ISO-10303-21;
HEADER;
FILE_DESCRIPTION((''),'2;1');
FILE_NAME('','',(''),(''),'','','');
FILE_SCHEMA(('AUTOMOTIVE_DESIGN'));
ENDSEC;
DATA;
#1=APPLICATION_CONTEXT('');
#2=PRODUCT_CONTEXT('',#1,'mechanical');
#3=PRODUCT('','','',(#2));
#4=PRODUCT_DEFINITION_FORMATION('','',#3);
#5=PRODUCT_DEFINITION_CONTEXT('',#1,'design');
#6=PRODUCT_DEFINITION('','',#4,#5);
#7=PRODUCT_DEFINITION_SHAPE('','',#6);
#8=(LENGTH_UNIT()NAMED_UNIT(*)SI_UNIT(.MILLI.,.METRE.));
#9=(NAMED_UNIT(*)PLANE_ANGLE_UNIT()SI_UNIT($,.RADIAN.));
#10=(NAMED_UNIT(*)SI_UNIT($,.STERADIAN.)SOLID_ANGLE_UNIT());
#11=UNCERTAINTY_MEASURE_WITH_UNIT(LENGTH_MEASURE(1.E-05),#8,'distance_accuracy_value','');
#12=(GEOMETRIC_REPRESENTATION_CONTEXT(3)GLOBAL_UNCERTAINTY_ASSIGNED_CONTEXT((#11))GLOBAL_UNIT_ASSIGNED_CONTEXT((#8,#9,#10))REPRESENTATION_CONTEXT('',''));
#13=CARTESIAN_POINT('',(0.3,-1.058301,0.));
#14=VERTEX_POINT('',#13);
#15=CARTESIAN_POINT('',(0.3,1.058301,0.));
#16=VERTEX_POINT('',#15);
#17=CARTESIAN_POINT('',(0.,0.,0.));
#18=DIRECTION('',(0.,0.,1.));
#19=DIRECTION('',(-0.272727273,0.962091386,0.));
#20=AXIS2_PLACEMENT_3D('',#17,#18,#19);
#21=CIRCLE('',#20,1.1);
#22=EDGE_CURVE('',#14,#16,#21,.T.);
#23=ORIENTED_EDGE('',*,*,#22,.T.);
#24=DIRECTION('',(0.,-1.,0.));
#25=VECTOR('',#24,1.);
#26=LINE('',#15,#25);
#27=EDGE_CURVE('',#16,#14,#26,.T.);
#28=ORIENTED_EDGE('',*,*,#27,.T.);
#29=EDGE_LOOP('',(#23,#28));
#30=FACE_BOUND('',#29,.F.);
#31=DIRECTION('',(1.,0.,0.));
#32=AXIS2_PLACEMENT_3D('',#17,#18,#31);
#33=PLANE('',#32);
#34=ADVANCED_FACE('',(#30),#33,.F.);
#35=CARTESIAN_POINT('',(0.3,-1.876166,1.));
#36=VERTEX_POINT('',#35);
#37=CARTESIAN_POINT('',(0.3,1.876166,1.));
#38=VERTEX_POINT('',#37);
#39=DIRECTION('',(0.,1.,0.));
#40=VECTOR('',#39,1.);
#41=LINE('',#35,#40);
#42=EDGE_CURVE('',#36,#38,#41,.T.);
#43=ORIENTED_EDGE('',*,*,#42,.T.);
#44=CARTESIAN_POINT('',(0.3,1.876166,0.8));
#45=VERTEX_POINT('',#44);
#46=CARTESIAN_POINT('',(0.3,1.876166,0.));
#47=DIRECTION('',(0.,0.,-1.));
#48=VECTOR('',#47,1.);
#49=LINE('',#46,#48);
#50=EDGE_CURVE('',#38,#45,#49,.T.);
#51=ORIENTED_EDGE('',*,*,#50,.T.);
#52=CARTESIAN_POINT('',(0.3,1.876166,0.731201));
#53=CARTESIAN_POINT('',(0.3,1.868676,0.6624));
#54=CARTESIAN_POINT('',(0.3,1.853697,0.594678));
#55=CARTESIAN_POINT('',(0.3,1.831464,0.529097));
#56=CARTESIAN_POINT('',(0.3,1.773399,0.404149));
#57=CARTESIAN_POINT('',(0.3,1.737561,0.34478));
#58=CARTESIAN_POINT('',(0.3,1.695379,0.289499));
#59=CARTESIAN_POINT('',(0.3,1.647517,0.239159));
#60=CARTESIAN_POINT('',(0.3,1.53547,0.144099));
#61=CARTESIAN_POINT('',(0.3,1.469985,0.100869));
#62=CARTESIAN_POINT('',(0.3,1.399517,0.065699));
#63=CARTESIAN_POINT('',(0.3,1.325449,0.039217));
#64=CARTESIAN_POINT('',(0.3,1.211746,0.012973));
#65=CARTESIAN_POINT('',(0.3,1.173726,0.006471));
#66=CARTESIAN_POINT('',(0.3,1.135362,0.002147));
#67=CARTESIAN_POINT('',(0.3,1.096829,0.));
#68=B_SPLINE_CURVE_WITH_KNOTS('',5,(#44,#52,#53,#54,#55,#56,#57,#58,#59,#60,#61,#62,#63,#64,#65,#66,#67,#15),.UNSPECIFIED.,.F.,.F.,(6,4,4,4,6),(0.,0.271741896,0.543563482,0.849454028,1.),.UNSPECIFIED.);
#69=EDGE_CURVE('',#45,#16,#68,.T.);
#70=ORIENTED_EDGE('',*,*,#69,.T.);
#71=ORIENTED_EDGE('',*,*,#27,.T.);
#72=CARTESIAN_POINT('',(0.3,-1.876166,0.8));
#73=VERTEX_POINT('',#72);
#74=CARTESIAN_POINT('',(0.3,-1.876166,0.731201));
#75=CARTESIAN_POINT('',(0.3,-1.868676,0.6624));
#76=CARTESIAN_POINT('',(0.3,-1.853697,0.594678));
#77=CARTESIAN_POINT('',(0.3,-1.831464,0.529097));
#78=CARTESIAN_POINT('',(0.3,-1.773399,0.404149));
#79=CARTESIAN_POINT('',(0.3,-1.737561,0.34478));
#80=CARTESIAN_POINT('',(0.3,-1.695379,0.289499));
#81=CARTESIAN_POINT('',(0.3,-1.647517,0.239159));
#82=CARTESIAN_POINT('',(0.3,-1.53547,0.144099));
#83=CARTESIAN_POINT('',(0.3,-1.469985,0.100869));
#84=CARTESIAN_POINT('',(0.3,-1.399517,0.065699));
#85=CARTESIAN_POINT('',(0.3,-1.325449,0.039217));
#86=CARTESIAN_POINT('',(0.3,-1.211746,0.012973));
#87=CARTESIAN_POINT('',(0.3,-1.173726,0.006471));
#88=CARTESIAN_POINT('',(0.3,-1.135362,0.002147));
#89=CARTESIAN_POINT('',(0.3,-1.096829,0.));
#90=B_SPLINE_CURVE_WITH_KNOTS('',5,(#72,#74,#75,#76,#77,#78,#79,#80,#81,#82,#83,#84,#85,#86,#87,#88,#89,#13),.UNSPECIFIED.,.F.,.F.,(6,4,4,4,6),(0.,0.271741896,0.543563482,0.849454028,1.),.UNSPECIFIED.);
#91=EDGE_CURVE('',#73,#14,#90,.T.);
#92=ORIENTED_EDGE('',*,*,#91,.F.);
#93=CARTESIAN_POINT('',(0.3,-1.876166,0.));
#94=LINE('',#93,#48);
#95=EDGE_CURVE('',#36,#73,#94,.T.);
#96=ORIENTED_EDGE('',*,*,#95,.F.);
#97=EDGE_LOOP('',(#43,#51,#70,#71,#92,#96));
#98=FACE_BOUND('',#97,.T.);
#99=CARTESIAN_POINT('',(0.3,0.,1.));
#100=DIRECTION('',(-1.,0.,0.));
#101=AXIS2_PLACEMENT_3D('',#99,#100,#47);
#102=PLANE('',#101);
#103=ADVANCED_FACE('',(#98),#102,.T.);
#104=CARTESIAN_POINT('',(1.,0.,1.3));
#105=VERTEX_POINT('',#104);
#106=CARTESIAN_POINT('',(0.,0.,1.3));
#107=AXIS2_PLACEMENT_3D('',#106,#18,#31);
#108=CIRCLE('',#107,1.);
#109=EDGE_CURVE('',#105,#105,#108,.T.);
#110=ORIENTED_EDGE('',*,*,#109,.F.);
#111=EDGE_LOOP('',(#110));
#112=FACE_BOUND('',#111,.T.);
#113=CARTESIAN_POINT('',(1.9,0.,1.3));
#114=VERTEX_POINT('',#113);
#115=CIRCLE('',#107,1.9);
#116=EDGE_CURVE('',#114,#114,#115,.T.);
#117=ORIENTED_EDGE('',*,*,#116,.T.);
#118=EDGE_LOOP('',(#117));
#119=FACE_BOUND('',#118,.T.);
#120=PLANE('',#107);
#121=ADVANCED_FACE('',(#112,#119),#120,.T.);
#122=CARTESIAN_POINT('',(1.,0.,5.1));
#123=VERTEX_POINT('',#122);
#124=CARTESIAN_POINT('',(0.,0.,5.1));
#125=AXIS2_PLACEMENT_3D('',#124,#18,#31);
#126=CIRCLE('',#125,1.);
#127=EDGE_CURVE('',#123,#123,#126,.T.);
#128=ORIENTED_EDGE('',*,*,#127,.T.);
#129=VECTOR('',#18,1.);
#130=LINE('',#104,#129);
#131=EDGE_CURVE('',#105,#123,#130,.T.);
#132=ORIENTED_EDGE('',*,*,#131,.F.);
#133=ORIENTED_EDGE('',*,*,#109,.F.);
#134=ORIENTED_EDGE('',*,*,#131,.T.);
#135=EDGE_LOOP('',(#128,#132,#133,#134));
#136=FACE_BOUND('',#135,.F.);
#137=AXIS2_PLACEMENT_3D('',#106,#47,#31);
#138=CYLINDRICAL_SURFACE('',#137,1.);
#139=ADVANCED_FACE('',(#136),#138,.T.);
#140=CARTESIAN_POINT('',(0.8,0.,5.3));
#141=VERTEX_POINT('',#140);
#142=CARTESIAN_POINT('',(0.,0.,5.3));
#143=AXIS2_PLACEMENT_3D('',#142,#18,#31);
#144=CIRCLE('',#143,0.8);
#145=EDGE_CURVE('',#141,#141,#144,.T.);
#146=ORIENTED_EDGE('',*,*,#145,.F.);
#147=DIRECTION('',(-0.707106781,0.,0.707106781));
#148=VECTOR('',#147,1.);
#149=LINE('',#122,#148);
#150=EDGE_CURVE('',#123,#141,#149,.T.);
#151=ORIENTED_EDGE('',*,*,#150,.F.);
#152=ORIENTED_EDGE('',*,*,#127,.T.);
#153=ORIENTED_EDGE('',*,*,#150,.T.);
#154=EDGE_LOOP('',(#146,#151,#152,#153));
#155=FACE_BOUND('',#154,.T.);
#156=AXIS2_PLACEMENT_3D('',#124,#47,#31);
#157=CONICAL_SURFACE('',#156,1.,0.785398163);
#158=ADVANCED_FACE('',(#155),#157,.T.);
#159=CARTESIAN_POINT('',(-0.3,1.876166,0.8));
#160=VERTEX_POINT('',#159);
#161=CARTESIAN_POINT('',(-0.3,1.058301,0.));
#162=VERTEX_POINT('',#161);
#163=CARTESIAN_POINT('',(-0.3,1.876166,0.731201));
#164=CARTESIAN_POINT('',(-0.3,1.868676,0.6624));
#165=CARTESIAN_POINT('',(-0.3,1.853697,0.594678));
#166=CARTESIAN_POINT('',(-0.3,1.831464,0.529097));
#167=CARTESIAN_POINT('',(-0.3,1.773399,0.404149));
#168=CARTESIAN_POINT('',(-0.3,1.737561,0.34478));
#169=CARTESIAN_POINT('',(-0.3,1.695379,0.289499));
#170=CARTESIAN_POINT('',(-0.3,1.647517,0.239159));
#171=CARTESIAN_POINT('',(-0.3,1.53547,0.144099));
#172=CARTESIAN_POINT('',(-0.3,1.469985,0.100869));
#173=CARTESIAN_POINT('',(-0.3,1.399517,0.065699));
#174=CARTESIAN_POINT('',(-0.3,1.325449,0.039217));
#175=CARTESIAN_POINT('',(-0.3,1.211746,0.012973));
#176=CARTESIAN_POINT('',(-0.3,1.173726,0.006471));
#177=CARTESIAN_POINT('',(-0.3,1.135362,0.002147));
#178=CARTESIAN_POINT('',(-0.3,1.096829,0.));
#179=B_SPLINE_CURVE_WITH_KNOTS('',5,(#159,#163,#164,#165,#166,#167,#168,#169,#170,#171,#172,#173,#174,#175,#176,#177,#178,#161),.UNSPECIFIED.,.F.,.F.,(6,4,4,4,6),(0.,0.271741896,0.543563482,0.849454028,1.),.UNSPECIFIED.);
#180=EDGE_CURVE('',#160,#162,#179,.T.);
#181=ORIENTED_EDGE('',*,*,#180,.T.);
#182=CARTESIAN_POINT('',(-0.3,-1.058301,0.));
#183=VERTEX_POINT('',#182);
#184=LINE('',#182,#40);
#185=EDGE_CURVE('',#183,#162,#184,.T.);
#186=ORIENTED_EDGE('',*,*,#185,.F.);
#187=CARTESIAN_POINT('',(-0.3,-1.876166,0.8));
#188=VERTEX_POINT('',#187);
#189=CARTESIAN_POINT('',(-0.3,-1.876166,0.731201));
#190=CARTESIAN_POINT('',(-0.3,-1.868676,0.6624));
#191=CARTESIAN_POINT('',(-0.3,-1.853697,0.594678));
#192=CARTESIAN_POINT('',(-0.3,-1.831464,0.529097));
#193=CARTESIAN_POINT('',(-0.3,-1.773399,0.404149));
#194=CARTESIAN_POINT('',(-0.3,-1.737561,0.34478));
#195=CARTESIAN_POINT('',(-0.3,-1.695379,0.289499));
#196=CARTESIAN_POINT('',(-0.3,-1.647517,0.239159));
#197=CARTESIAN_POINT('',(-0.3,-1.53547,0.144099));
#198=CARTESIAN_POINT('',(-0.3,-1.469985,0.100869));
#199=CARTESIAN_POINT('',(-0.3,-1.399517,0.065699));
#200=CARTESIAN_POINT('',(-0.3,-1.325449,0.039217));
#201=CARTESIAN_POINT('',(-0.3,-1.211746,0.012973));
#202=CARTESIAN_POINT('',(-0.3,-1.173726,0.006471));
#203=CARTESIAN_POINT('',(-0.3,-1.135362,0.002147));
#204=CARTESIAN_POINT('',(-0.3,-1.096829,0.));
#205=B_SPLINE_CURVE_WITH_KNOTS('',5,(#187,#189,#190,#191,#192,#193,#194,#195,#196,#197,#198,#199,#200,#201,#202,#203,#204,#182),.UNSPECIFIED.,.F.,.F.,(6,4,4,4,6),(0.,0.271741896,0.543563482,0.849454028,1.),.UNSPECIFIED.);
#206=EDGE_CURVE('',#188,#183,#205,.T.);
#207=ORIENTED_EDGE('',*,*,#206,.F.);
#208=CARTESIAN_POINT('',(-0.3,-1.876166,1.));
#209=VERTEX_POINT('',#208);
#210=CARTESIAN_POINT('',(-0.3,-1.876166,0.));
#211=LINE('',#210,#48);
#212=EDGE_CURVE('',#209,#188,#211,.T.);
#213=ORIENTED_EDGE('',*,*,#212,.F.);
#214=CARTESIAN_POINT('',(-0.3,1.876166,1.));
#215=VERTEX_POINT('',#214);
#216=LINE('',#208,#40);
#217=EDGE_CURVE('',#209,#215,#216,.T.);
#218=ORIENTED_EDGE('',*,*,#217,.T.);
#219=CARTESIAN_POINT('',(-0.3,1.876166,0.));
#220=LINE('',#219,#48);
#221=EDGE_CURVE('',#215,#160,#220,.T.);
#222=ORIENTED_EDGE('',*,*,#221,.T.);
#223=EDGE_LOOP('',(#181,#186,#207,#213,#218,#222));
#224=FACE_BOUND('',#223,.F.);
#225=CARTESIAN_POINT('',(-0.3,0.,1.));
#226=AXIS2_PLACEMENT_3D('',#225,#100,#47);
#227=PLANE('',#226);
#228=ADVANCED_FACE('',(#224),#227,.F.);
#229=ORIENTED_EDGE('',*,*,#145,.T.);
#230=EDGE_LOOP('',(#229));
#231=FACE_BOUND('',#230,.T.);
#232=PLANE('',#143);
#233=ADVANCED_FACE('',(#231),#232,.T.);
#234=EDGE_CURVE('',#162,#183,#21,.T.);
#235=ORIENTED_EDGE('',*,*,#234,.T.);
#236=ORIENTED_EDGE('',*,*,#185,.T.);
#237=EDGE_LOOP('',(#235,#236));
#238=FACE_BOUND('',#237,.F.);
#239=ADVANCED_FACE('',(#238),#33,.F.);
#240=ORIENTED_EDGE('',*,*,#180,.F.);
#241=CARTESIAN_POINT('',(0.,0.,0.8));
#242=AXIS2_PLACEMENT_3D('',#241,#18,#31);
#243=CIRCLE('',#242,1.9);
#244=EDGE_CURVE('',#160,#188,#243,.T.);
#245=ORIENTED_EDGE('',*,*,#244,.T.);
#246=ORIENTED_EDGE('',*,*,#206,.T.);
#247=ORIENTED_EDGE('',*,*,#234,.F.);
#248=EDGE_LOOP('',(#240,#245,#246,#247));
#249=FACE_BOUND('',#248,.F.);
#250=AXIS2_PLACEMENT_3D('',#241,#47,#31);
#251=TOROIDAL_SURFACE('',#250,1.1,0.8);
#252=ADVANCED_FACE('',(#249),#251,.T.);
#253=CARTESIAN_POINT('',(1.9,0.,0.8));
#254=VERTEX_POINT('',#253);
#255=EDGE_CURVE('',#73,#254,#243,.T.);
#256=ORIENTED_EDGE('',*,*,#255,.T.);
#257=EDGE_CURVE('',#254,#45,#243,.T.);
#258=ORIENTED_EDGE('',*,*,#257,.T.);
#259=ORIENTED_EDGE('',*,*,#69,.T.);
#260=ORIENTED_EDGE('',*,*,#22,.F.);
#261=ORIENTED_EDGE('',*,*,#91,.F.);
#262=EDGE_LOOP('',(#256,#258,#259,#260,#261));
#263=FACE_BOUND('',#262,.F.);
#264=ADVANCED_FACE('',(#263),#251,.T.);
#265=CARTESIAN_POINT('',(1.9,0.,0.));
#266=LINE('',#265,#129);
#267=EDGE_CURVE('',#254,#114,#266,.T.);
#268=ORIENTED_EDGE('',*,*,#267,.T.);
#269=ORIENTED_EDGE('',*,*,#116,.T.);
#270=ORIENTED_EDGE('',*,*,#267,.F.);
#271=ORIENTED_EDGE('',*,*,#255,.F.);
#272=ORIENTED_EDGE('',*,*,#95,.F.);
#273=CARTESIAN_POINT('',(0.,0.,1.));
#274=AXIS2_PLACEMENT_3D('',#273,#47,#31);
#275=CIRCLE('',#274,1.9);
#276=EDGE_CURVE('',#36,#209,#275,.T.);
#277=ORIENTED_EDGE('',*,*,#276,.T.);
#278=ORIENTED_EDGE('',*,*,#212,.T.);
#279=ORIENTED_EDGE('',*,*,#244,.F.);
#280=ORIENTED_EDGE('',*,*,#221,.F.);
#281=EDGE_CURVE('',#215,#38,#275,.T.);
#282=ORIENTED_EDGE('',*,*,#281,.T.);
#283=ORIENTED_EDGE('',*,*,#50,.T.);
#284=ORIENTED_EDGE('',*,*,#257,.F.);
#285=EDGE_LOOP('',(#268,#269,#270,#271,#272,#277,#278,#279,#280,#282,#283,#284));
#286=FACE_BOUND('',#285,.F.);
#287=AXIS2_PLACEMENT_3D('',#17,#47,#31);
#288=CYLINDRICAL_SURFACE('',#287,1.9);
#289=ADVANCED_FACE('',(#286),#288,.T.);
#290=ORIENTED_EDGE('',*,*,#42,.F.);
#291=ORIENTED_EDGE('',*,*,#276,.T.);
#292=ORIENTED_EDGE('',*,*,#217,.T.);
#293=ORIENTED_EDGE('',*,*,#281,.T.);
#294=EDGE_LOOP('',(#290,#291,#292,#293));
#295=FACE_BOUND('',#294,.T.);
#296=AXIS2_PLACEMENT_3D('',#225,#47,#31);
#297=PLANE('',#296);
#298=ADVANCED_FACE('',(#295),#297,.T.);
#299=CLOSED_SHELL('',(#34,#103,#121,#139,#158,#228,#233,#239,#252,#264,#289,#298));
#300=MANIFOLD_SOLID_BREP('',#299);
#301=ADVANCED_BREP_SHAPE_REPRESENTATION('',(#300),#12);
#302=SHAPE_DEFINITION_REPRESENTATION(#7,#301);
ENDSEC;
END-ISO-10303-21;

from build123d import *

# Parameters (mm, degrees)
ESQUISSE1_R                  = 1.9
BASE_EXTRUSION_DEPTH         = 1.3
CONG_1_R                     = 0.8
ESQUISSE2_R                  = 1
BOSS_EXTRU_1_DEPTH           = 4
CHANFREIN1_SIZE              = 0.2
ESQUISSE3_W                  = 0.6
ESQUISSE3_H                  = 1
ENL_V_MAT_EXTRU_1_DEPTH      = 2.9
ENL_V_MAT_EXTRU_1_DEPTH_BACK = 2.9


with BuildPart() as part:
    # Esquisse1 → Base-Extrusion (new body)
    with BuildSketch(Plane.XY):
        Circle(ESQUISSE1_R)
    extrude(amount=BASE_EXTRUSION_DEPTH)

    # Cong_1
    cong_1_edges = [part.edges().sort_by_distance(p)[0] for p in [
        (-1.9, 0, 0),
    ]]
    fillet(cong_1_edges, radius=CONG_1_R)

    # Esquisse2 → Boss.-Extru.1 (add)
    with BuildSketch(Plane.XY.offset(1.3)):
        Circle(ESQUISSE2_R)
    extrude(amount=BOSS_EXTRU_1_DEPTH)

    # Chanfrein1
    chanfrein1_edges = [part.edges().sort_by_distance(p)[0] for p in [
        (-1, 0, 5.3),
    ]]
    chamfer(chanfrein1_edges, length=CHANFREIN1_SIZE)

    # Esquisse3 → Enl_v. mat.-Extru.1 (cut, two sides)
    with BuildSketch(Plane(origin=(0, 0, 0), x_dir=(1, 0, 0), z_dir=(0, 1, 0))) as enl_v_mat_extru_1_sk:
        with Locations((0, -0.5)):
            Rectangle(ESQUISSE3_W, ESQUISSE3_H)
    extrude(amount=ENL_V_MAT_EXTRU_1_DEPTH, mode=Mode.SUBTRACT)
    extrude(enl_v_mat_extru_1_sk.sketch, amount=-ENL_V_MAT_EXTRU_1_DEPTH_BACK, mode=Mode.SUBTRACT)


solid = part.part
